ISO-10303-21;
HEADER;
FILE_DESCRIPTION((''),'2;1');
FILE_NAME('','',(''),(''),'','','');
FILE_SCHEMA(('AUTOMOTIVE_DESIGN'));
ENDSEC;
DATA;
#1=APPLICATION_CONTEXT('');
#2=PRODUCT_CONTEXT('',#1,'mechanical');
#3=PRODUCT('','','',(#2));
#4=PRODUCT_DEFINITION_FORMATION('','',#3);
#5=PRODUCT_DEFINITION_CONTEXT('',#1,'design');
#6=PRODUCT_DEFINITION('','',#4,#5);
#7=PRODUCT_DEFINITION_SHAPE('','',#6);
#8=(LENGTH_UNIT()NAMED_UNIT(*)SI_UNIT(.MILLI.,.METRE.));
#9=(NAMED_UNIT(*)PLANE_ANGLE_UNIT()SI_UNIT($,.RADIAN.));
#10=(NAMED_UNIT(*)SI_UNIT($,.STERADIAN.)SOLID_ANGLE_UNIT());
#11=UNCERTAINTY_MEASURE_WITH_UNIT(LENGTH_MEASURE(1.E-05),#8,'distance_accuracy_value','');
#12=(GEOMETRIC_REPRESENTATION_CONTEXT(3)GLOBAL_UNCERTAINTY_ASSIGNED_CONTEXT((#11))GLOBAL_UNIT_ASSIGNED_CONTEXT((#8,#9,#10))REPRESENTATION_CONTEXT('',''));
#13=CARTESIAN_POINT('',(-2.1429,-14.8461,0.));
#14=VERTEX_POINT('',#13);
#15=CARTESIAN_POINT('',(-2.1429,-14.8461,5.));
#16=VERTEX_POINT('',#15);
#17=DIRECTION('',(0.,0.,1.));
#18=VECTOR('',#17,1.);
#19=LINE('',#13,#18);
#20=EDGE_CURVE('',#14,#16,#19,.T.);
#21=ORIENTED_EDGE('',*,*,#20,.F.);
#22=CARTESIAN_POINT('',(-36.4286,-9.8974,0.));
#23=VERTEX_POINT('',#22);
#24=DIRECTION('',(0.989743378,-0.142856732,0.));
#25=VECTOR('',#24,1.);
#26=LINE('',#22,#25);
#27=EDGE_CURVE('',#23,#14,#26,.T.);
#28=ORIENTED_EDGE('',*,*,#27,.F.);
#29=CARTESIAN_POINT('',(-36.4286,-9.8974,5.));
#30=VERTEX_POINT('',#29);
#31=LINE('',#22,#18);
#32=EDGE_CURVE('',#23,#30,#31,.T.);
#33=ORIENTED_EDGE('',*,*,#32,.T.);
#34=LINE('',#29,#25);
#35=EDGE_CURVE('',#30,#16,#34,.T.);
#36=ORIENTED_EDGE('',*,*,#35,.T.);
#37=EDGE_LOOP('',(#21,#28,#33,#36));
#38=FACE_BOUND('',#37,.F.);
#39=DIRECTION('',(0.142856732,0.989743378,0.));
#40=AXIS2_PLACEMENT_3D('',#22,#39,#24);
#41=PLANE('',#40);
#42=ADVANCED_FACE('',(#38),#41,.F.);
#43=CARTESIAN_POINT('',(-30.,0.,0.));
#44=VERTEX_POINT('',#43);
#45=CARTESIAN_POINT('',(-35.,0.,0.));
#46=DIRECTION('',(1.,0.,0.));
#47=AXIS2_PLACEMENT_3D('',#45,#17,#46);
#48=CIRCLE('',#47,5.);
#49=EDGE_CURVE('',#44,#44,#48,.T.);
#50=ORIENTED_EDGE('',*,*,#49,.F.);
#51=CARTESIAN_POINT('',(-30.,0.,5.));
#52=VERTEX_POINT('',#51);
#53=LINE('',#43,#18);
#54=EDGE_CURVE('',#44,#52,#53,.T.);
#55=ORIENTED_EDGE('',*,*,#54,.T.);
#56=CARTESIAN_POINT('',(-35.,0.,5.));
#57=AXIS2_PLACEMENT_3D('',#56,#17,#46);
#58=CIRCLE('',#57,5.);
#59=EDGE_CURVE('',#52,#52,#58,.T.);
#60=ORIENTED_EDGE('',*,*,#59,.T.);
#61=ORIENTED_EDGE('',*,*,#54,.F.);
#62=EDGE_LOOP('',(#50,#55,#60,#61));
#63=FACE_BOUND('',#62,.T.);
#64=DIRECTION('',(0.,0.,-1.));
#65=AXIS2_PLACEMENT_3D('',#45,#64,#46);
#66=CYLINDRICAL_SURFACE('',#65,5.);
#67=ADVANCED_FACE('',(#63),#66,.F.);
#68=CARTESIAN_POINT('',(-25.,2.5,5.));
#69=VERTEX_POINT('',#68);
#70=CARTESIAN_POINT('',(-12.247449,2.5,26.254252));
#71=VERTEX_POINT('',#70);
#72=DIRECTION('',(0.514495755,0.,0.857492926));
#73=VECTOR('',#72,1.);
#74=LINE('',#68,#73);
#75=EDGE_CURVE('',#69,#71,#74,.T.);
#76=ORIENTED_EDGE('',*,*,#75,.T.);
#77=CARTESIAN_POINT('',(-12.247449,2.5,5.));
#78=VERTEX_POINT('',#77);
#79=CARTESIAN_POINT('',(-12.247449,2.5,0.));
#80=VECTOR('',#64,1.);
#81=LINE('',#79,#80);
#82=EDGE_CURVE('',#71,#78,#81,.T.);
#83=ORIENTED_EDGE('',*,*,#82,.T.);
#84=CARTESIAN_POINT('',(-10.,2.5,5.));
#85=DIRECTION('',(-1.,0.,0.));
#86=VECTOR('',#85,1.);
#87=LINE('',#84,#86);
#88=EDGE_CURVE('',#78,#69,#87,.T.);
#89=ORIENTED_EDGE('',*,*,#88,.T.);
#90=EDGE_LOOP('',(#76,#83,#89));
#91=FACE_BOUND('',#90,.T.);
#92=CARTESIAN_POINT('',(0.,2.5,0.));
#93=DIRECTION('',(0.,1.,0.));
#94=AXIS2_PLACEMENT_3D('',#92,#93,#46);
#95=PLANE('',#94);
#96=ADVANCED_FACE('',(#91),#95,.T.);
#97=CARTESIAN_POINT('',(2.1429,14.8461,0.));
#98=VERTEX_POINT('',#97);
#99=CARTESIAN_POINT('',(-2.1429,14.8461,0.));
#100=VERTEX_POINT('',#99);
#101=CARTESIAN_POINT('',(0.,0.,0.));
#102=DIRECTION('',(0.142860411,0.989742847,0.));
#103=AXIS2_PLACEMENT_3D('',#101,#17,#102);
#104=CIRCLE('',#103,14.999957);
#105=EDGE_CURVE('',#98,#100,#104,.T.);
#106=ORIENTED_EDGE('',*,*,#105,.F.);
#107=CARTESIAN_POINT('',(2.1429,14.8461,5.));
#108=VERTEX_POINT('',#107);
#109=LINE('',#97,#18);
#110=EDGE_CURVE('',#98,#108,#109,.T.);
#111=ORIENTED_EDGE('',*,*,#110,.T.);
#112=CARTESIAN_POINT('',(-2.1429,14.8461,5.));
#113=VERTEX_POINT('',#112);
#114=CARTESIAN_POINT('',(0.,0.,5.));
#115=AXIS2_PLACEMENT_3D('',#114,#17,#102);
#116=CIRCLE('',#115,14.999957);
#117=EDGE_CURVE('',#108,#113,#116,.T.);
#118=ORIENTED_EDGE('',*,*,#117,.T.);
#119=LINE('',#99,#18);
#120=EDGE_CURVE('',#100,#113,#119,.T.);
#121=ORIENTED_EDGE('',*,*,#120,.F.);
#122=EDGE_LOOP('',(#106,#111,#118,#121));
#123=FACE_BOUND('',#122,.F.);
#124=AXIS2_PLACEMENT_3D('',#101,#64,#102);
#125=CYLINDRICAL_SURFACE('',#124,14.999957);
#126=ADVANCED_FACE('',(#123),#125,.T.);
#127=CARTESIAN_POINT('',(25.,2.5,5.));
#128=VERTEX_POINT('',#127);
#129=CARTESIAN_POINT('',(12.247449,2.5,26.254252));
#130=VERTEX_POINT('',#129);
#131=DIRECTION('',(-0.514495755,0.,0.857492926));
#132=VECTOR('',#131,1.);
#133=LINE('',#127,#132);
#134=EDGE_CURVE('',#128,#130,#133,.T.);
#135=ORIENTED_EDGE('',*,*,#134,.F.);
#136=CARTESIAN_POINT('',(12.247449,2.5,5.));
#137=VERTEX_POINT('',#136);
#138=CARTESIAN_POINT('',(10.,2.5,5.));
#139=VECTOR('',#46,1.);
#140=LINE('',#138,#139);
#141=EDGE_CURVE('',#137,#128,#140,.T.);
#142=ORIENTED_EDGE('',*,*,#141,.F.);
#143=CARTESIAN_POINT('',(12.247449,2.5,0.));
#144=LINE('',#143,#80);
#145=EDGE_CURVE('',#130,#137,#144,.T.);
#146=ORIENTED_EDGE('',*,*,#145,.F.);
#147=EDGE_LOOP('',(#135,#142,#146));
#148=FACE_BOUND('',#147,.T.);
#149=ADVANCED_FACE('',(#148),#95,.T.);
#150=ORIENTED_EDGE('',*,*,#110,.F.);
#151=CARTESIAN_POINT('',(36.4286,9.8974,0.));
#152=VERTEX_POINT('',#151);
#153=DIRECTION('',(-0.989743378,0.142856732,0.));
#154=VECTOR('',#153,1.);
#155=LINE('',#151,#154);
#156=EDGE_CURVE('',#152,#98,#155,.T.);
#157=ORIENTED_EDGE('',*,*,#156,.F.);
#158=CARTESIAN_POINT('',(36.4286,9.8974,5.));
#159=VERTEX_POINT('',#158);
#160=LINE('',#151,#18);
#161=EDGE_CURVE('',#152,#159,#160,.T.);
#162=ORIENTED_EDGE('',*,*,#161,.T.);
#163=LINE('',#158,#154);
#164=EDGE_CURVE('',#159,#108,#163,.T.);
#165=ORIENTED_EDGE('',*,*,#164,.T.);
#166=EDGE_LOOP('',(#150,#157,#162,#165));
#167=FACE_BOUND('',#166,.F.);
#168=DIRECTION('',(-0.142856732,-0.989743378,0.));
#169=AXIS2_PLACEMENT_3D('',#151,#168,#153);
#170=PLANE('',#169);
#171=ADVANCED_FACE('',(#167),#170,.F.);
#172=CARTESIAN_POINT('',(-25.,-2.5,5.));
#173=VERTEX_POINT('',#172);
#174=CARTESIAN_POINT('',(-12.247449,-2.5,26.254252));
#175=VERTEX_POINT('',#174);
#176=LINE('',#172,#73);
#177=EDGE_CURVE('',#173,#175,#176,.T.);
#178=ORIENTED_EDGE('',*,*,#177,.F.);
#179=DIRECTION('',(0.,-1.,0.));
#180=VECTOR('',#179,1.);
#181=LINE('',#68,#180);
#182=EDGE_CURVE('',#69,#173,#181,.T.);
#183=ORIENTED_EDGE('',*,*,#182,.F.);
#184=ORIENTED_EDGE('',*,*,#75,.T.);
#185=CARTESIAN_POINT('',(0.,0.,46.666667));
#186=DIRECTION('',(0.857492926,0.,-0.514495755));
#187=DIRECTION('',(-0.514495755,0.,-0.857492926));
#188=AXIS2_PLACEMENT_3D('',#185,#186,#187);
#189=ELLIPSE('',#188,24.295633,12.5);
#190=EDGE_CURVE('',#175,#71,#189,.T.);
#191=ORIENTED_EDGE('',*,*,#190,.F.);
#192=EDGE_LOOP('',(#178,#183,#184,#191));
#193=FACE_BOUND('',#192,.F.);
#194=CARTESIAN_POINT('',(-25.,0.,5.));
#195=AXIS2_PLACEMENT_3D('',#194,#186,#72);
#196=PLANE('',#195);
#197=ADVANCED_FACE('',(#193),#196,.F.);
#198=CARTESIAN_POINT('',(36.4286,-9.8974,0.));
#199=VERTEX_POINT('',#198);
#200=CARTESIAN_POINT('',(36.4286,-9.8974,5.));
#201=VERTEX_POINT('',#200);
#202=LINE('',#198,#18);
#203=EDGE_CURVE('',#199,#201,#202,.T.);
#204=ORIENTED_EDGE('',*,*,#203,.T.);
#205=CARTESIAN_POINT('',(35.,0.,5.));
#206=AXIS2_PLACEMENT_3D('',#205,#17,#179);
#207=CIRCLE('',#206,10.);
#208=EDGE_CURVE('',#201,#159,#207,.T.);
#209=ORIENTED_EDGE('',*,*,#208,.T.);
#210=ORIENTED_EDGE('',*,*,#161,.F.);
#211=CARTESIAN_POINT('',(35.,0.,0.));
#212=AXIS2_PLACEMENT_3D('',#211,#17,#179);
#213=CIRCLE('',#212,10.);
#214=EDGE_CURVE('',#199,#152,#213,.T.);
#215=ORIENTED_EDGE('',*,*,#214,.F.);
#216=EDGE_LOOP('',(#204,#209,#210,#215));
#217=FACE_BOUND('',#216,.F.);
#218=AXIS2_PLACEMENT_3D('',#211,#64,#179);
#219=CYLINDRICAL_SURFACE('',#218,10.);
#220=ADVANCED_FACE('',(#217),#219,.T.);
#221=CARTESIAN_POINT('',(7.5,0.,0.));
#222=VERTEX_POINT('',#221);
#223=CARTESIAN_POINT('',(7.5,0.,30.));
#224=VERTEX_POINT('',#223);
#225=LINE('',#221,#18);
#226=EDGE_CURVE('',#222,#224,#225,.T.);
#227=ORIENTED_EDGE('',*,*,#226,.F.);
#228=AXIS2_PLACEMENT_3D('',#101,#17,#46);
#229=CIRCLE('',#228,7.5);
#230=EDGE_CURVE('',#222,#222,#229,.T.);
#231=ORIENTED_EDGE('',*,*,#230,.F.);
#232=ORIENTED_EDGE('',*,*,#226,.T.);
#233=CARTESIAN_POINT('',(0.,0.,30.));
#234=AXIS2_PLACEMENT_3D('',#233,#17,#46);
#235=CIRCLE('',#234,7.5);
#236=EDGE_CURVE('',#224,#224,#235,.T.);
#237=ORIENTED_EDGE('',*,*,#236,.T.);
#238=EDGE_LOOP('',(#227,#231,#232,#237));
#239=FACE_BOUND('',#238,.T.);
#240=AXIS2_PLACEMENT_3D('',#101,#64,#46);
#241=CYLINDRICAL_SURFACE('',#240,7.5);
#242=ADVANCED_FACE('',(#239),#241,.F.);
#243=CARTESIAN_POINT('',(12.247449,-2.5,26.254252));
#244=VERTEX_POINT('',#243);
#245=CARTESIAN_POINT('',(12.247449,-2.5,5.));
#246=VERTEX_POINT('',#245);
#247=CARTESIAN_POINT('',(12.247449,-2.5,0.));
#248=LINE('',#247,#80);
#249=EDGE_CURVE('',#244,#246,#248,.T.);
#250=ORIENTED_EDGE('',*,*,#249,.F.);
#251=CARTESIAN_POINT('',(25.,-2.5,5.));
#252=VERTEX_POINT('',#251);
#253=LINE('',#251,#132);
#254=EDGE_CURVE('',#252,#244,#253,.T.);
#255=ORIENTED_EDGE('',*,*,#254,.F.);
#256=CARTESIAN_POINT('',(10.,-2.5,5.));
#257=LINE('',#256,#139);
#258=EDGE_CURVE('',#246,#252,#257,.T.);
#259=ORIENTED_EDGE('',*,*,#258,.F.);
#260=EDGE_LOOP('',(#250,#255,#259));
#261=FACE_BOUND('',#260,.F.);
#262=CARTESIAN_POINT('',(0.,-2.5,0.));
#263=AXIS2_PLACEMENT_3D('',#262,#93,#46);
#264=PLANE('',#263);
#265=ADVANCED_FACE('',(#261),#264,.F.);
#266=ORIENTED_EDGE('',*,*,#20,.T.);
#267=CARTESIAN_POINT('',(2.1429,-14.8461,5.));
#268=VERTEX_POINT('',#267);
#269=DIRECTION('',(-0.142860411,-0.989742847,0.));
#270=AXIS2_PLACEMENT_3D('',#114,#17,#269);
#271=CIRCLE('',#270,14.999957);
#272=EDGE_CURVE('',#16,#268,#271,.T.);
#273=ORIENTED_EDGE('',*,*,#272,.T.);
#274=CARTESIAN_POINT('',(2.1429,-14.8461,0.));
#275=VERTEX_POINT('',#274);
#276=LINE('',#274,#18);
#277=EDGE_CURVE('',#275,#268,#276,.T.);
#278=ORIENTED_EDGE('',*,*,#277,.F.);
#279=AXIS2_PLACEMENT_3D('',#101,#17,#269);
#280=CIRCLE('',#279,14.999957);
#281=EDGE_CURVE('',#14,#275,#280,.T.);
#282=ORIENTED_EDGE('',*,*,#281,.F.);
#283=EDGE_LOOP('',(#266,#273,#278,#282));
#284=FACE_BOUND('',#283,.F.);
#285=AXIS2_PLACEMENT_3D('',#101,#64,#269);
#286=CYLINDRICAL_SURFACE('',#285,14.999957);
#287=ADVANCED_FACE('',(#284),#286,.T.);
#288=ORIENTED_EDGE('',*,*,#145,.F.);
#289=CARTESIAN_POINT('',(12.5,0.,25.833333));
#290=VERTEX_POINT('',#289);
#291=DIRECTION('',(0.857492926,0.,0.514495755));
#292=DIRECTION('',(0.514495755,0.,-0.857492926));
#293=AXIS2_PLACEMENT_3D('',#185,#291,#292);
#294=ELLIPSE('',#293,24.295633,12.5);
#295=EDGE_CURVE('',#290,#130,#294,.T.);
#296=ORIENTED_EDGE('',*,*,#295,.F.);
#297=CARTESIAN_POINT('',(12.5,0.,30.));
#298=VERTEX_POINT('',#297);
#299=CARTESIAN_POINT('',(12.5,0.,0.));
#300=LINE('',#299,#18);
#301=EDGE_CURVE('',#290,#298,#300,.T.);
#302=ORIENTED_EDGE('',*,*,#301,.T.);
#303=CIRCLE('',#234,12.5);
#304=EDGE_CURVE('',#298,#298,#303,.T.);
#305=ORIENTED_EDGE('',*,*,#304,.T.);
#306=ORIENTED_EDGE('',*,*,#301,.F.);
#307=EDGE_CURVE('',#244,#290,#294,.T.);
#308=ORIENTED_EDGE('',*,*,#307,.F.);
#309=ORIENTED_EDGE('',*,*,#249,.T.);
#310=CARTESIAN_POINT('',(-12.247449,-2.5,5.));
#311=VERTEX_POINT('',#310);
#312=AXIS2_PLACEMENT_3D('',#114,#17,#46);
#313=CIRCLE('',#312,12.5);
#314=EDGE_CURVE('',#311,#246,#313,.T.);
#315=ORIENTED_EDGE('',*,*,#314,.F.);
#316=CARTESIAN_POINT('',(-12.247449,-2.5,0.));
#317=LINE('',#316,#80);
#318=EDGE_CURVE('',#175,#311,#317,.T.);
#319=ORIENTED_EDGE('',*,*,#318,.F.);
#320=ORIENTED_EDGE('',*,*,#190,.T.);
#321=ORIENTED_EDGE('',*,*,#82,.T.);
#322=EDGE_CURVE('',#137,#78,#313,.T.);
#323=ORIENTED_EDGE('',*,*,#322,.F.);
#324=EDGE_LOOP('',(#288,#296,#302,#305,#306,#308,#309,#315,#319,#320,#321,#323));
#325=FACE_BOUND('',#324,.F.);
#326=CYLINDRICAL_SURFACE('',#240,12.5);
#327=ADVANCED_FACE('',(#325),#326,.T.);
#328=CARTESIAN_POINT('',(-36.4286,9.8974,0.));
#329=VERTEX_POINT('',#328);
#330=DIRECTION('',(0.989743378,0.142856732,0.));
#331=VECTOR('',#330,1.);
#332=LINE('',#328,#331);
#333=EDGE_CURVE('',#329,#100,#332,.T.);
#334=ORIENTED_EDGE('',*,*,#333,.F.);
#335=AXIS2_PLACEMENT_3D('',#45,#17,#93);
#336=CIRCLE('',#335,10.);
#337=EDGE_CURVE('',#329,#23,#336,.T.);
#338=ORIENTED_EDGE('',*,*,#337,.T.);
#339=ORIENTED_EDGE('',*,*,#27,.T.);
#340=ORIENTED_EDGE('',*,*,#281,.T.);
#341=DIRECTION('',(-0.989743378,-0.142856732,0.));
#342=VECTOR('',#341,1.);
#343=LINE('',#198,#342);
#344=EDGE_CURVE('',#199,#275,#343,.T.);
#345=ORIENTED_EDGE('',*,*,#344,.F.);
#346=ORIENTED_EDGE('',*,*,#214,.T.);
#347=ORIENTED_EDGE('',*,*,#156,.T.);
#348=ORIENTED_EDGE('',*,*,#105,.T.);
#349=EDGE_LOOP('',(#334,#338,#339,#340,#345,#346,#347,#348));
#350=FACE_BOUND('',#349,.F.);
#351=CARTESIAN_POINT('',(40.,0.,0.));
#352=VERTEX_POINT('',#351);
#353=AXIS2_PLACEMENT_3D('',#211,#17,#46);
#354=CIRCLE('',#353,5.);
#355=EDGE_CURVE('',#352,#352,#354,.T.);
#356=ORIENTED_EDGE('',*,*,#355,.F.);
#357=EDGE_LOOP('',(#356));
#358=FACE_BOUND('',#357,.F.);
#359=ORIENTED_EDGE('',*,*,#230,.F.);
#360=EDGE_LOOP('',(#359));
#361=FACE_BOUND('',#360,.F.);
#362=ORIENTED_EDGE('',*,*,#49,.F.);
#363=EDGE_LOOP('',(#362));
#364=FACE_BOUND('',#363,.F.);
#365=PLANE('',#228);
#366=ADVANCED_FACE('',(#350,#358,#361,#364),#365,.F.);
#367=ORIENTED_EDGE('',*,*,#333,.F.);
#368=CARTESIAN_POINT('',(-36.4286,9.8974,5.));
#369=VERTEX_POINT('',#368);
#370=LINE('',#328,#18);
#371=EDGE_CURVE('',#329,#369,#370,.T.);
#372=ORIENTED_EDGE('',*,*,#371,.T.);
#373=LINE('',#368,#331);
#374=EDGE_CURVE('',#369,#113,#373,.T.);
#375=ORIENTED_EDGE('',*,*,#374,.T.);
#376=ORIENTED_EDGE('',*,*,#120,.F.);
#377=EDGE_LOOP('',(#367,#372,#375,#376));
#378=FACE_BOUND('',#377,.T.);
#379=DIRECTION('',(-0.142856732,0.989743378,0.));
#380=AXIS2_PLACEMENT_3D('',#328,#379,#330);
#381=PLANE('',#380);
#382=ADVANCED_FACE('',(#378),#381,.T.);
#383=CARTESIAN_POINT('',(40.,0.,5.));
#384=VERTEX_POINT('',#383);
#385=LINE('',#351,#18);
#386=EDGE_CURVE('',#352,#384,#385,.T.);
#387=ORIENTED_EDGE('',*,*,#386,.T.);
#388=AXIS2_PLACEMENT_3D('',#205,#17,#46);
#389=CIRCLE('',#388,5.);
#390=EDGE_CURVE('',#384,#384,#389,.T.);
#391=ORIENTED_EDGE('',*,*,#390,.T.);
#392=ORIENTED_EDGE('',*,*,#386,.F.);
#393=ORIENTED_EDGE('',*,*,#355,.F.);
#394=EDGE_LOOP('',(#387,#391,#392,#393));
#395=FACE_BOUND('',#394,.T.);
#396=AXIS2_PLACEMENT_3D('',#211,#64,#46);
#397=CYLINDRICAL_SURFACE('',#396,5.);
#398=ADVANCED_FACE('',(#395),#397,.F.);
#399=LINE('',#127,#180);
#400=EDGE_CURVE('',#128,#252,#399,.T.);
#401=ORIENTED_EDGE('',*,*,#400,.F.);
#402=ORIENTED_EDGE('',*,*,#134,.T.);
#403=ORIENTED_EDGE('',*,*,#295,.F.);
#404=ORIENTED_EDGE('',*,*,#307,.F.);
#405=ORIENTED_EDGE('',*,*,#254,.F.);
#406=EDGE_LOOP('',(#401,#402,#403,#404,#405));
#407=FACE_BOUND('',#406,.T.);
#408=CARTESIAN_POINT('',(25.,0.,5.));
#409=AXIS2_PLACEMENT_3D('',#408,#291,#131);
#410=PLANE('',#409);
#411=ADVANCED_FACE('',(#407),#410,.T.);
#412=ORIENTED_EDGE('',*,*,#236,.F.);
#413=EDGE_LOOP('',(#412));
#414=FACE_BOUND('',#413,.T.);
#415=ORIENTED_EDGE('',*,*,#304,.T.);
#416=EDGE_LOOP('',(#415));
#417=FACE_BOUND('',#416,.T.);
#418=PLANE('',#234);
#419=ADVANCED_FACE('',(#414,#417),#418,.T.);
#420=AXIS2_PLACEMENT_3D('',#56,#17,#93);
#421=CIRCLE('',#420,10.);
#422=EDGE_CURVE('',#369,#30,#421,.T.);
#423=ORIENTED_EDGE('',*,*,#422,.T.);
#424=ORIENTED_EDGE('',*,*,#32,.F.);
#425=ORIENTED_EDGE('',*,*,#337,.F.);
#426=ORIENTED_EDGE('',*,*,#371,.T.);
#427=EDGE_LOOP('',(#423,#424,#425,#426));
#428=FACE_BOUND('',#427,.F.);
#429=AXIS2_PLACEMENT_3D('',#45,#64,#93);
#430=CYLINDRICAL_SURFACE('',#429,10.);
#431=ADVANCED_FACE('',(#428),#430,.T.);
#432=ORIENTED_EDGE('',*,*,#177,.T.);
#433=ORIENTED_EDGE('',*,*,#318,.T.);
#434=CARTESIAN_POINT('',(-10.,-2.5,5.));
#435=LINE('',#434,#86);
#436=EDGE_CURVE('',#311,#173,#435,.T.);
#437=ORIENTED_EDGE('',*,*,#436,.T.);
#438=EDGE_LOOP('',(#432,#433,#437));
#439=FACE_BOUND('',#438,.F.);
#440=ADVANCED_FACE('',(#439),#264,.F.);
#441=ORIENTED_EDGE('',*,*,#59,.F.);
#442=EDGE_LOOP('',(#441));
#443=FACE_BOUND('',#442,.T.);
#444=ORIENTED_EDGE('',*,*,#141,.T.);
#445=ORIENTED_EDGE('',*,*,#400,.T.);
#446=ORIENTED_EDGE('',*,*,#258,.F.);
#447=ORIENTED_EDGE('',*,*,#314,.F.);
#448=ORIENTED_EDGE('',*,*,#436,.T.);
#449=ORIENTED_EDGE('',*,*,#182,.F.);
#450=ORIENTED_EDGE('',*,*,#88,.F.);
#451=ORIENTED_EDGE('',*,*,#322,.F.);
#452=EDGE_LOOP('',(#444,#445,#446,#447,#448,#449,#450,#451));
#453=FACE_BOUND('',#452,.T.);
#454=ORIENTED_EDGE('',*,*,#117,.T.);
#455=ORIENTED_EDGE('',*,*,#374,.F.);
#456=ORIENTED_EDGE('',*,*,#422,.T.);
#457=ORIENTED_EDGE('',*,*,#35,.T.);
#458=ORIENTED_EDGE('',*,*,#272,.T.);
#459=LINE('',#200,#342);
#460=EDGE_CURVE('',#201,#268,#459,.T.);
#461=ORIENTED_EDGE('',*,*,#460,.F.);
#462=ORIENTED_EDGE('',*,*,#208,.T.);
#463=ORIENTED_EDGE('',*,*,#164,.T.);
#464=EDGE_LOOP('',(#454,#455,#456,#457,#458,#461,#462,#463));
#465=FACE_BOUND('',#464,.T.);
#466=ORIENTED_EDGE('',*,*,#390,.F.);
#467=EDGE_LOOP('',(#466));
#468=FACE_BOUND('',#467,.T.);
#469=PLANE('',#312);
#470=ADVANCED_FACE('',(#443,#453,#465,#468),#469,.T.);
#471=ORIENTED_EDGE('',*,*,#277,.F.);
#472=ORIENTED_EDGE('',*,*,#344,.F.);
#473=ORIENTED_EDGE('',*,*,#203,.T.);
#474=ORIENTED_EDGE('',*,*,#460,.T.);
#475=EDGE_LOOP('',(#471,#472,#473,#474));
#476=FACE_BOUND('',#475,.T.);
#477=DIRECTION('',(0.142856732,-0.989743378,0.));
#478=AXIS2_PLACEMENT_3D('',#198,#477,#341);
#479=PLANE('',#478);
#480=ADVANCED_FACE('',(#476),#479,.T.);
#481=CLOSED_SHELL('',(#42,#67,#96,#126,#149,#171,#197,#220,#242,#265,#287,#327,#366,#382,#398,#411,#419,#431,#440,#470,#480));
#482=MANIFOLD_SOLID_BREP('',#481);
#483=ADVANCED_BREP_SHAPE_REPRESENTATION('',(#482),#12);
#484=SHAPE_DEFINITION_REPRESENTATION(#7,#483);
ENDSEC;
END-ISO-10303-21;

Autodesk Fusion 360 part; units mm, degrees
sketch "Sketch1" plane through (0, 0, 0) normal (0, 0, 1) x (1, 0, 0)
  circle A0 centre (0, 0) radius 12.5
  circle A1 centre (0, 0) radius 7.5
  circle A2 centre (-35, 0) radius 5
  circle A3 centre (35, 0) radius 5
  line L0 (-60, 0) -> (60, 0) construction
  line L1 (-35, 0) -> (-35, 14) construction
  line L2 (-35, 14) -> (-35, -13) construction
  line L3 (35, 0) -> (35, 14) construction
  line L4 (35, 14) -> (35, -13) construction
  line L5 (-36.4286, -9.8974) -> (-2.1429, -14.8461)
  line L6 (36.4286, -9.8974) -> (2.1429, -14.8461)
  line L7 (36.4286, 9.8974) -> (2.1429, 14.8461)
  line L8 (-36.4286, 9.8974) -> (-2.1429, 14.8461)
  arc A4 (-35, 10) -> (-35, -10) centre (-35, 0) ccw
  arc A5 (35, -10) -> (35, 10) centre (35, 0) ccw
  arc A6 (-2.1429, -14.8461) -> (2.1429, -14.8461) centre (0, 0) ccw
  arc A7 (2.1429, 14.8461) -> (-2.1429, 14.8461) centre (0, 0) ccw
  dimension "d1" = 30
  dimension "d2" = 25
  dimension "d3" = 15
  dimension "d4" = 10
  dimension "d5" = 10
  dimension "d6" = 20
  dimension "d7" = 20
  dimension "d8" = 35
  dimension "d9" = 35
extrude "Extrude1" add sketch "Sketch1" along normal blind 5 contours L5 L6 L7 L8 A4 A5 A6 A7
sketch "Sketch2" plane through (0, 0, 0) normal (0, 0, 1) x (1, 0, 0)
  circle A0 centre (0, 0) radius 12.5
  circle A1 centre (0, 0) radius 7.5
  dimension "d12" = 25
  dimension "d13" = 15
extrude "Extrude2" add sketch "Sketch2" along normal blind 30
sketch "Sketch6" plane through (0, 0, 0) normal (0, 1, 0) x (1, 0, 0)
  line L0 (-10, -5) -> (-25, -5)
  line L1 (-25, -5) -> (-10, -30)
  line L2 (-10, -30) -> (-10, -5)
  line L3 (10, -5) -> (25, -5)
  line L4 (25, -5) -> (10, -30)
  line L5 (10, -30) -> (10, -5)
  line L6 (-36.4286, -5) -> (-2.1429, -5)
  line L7 (2.1429, -5) -> (36.4286, -5)
  dimension "d27" = 10
  dimension "d28" = 10
  dimension "d29" = 15
  dimension "d30" = 15
  dimension "d31" = 25
extrude "Extrude4" add sketch "Sketch6" along normal blind 2.5 and the other way blind 2.5
